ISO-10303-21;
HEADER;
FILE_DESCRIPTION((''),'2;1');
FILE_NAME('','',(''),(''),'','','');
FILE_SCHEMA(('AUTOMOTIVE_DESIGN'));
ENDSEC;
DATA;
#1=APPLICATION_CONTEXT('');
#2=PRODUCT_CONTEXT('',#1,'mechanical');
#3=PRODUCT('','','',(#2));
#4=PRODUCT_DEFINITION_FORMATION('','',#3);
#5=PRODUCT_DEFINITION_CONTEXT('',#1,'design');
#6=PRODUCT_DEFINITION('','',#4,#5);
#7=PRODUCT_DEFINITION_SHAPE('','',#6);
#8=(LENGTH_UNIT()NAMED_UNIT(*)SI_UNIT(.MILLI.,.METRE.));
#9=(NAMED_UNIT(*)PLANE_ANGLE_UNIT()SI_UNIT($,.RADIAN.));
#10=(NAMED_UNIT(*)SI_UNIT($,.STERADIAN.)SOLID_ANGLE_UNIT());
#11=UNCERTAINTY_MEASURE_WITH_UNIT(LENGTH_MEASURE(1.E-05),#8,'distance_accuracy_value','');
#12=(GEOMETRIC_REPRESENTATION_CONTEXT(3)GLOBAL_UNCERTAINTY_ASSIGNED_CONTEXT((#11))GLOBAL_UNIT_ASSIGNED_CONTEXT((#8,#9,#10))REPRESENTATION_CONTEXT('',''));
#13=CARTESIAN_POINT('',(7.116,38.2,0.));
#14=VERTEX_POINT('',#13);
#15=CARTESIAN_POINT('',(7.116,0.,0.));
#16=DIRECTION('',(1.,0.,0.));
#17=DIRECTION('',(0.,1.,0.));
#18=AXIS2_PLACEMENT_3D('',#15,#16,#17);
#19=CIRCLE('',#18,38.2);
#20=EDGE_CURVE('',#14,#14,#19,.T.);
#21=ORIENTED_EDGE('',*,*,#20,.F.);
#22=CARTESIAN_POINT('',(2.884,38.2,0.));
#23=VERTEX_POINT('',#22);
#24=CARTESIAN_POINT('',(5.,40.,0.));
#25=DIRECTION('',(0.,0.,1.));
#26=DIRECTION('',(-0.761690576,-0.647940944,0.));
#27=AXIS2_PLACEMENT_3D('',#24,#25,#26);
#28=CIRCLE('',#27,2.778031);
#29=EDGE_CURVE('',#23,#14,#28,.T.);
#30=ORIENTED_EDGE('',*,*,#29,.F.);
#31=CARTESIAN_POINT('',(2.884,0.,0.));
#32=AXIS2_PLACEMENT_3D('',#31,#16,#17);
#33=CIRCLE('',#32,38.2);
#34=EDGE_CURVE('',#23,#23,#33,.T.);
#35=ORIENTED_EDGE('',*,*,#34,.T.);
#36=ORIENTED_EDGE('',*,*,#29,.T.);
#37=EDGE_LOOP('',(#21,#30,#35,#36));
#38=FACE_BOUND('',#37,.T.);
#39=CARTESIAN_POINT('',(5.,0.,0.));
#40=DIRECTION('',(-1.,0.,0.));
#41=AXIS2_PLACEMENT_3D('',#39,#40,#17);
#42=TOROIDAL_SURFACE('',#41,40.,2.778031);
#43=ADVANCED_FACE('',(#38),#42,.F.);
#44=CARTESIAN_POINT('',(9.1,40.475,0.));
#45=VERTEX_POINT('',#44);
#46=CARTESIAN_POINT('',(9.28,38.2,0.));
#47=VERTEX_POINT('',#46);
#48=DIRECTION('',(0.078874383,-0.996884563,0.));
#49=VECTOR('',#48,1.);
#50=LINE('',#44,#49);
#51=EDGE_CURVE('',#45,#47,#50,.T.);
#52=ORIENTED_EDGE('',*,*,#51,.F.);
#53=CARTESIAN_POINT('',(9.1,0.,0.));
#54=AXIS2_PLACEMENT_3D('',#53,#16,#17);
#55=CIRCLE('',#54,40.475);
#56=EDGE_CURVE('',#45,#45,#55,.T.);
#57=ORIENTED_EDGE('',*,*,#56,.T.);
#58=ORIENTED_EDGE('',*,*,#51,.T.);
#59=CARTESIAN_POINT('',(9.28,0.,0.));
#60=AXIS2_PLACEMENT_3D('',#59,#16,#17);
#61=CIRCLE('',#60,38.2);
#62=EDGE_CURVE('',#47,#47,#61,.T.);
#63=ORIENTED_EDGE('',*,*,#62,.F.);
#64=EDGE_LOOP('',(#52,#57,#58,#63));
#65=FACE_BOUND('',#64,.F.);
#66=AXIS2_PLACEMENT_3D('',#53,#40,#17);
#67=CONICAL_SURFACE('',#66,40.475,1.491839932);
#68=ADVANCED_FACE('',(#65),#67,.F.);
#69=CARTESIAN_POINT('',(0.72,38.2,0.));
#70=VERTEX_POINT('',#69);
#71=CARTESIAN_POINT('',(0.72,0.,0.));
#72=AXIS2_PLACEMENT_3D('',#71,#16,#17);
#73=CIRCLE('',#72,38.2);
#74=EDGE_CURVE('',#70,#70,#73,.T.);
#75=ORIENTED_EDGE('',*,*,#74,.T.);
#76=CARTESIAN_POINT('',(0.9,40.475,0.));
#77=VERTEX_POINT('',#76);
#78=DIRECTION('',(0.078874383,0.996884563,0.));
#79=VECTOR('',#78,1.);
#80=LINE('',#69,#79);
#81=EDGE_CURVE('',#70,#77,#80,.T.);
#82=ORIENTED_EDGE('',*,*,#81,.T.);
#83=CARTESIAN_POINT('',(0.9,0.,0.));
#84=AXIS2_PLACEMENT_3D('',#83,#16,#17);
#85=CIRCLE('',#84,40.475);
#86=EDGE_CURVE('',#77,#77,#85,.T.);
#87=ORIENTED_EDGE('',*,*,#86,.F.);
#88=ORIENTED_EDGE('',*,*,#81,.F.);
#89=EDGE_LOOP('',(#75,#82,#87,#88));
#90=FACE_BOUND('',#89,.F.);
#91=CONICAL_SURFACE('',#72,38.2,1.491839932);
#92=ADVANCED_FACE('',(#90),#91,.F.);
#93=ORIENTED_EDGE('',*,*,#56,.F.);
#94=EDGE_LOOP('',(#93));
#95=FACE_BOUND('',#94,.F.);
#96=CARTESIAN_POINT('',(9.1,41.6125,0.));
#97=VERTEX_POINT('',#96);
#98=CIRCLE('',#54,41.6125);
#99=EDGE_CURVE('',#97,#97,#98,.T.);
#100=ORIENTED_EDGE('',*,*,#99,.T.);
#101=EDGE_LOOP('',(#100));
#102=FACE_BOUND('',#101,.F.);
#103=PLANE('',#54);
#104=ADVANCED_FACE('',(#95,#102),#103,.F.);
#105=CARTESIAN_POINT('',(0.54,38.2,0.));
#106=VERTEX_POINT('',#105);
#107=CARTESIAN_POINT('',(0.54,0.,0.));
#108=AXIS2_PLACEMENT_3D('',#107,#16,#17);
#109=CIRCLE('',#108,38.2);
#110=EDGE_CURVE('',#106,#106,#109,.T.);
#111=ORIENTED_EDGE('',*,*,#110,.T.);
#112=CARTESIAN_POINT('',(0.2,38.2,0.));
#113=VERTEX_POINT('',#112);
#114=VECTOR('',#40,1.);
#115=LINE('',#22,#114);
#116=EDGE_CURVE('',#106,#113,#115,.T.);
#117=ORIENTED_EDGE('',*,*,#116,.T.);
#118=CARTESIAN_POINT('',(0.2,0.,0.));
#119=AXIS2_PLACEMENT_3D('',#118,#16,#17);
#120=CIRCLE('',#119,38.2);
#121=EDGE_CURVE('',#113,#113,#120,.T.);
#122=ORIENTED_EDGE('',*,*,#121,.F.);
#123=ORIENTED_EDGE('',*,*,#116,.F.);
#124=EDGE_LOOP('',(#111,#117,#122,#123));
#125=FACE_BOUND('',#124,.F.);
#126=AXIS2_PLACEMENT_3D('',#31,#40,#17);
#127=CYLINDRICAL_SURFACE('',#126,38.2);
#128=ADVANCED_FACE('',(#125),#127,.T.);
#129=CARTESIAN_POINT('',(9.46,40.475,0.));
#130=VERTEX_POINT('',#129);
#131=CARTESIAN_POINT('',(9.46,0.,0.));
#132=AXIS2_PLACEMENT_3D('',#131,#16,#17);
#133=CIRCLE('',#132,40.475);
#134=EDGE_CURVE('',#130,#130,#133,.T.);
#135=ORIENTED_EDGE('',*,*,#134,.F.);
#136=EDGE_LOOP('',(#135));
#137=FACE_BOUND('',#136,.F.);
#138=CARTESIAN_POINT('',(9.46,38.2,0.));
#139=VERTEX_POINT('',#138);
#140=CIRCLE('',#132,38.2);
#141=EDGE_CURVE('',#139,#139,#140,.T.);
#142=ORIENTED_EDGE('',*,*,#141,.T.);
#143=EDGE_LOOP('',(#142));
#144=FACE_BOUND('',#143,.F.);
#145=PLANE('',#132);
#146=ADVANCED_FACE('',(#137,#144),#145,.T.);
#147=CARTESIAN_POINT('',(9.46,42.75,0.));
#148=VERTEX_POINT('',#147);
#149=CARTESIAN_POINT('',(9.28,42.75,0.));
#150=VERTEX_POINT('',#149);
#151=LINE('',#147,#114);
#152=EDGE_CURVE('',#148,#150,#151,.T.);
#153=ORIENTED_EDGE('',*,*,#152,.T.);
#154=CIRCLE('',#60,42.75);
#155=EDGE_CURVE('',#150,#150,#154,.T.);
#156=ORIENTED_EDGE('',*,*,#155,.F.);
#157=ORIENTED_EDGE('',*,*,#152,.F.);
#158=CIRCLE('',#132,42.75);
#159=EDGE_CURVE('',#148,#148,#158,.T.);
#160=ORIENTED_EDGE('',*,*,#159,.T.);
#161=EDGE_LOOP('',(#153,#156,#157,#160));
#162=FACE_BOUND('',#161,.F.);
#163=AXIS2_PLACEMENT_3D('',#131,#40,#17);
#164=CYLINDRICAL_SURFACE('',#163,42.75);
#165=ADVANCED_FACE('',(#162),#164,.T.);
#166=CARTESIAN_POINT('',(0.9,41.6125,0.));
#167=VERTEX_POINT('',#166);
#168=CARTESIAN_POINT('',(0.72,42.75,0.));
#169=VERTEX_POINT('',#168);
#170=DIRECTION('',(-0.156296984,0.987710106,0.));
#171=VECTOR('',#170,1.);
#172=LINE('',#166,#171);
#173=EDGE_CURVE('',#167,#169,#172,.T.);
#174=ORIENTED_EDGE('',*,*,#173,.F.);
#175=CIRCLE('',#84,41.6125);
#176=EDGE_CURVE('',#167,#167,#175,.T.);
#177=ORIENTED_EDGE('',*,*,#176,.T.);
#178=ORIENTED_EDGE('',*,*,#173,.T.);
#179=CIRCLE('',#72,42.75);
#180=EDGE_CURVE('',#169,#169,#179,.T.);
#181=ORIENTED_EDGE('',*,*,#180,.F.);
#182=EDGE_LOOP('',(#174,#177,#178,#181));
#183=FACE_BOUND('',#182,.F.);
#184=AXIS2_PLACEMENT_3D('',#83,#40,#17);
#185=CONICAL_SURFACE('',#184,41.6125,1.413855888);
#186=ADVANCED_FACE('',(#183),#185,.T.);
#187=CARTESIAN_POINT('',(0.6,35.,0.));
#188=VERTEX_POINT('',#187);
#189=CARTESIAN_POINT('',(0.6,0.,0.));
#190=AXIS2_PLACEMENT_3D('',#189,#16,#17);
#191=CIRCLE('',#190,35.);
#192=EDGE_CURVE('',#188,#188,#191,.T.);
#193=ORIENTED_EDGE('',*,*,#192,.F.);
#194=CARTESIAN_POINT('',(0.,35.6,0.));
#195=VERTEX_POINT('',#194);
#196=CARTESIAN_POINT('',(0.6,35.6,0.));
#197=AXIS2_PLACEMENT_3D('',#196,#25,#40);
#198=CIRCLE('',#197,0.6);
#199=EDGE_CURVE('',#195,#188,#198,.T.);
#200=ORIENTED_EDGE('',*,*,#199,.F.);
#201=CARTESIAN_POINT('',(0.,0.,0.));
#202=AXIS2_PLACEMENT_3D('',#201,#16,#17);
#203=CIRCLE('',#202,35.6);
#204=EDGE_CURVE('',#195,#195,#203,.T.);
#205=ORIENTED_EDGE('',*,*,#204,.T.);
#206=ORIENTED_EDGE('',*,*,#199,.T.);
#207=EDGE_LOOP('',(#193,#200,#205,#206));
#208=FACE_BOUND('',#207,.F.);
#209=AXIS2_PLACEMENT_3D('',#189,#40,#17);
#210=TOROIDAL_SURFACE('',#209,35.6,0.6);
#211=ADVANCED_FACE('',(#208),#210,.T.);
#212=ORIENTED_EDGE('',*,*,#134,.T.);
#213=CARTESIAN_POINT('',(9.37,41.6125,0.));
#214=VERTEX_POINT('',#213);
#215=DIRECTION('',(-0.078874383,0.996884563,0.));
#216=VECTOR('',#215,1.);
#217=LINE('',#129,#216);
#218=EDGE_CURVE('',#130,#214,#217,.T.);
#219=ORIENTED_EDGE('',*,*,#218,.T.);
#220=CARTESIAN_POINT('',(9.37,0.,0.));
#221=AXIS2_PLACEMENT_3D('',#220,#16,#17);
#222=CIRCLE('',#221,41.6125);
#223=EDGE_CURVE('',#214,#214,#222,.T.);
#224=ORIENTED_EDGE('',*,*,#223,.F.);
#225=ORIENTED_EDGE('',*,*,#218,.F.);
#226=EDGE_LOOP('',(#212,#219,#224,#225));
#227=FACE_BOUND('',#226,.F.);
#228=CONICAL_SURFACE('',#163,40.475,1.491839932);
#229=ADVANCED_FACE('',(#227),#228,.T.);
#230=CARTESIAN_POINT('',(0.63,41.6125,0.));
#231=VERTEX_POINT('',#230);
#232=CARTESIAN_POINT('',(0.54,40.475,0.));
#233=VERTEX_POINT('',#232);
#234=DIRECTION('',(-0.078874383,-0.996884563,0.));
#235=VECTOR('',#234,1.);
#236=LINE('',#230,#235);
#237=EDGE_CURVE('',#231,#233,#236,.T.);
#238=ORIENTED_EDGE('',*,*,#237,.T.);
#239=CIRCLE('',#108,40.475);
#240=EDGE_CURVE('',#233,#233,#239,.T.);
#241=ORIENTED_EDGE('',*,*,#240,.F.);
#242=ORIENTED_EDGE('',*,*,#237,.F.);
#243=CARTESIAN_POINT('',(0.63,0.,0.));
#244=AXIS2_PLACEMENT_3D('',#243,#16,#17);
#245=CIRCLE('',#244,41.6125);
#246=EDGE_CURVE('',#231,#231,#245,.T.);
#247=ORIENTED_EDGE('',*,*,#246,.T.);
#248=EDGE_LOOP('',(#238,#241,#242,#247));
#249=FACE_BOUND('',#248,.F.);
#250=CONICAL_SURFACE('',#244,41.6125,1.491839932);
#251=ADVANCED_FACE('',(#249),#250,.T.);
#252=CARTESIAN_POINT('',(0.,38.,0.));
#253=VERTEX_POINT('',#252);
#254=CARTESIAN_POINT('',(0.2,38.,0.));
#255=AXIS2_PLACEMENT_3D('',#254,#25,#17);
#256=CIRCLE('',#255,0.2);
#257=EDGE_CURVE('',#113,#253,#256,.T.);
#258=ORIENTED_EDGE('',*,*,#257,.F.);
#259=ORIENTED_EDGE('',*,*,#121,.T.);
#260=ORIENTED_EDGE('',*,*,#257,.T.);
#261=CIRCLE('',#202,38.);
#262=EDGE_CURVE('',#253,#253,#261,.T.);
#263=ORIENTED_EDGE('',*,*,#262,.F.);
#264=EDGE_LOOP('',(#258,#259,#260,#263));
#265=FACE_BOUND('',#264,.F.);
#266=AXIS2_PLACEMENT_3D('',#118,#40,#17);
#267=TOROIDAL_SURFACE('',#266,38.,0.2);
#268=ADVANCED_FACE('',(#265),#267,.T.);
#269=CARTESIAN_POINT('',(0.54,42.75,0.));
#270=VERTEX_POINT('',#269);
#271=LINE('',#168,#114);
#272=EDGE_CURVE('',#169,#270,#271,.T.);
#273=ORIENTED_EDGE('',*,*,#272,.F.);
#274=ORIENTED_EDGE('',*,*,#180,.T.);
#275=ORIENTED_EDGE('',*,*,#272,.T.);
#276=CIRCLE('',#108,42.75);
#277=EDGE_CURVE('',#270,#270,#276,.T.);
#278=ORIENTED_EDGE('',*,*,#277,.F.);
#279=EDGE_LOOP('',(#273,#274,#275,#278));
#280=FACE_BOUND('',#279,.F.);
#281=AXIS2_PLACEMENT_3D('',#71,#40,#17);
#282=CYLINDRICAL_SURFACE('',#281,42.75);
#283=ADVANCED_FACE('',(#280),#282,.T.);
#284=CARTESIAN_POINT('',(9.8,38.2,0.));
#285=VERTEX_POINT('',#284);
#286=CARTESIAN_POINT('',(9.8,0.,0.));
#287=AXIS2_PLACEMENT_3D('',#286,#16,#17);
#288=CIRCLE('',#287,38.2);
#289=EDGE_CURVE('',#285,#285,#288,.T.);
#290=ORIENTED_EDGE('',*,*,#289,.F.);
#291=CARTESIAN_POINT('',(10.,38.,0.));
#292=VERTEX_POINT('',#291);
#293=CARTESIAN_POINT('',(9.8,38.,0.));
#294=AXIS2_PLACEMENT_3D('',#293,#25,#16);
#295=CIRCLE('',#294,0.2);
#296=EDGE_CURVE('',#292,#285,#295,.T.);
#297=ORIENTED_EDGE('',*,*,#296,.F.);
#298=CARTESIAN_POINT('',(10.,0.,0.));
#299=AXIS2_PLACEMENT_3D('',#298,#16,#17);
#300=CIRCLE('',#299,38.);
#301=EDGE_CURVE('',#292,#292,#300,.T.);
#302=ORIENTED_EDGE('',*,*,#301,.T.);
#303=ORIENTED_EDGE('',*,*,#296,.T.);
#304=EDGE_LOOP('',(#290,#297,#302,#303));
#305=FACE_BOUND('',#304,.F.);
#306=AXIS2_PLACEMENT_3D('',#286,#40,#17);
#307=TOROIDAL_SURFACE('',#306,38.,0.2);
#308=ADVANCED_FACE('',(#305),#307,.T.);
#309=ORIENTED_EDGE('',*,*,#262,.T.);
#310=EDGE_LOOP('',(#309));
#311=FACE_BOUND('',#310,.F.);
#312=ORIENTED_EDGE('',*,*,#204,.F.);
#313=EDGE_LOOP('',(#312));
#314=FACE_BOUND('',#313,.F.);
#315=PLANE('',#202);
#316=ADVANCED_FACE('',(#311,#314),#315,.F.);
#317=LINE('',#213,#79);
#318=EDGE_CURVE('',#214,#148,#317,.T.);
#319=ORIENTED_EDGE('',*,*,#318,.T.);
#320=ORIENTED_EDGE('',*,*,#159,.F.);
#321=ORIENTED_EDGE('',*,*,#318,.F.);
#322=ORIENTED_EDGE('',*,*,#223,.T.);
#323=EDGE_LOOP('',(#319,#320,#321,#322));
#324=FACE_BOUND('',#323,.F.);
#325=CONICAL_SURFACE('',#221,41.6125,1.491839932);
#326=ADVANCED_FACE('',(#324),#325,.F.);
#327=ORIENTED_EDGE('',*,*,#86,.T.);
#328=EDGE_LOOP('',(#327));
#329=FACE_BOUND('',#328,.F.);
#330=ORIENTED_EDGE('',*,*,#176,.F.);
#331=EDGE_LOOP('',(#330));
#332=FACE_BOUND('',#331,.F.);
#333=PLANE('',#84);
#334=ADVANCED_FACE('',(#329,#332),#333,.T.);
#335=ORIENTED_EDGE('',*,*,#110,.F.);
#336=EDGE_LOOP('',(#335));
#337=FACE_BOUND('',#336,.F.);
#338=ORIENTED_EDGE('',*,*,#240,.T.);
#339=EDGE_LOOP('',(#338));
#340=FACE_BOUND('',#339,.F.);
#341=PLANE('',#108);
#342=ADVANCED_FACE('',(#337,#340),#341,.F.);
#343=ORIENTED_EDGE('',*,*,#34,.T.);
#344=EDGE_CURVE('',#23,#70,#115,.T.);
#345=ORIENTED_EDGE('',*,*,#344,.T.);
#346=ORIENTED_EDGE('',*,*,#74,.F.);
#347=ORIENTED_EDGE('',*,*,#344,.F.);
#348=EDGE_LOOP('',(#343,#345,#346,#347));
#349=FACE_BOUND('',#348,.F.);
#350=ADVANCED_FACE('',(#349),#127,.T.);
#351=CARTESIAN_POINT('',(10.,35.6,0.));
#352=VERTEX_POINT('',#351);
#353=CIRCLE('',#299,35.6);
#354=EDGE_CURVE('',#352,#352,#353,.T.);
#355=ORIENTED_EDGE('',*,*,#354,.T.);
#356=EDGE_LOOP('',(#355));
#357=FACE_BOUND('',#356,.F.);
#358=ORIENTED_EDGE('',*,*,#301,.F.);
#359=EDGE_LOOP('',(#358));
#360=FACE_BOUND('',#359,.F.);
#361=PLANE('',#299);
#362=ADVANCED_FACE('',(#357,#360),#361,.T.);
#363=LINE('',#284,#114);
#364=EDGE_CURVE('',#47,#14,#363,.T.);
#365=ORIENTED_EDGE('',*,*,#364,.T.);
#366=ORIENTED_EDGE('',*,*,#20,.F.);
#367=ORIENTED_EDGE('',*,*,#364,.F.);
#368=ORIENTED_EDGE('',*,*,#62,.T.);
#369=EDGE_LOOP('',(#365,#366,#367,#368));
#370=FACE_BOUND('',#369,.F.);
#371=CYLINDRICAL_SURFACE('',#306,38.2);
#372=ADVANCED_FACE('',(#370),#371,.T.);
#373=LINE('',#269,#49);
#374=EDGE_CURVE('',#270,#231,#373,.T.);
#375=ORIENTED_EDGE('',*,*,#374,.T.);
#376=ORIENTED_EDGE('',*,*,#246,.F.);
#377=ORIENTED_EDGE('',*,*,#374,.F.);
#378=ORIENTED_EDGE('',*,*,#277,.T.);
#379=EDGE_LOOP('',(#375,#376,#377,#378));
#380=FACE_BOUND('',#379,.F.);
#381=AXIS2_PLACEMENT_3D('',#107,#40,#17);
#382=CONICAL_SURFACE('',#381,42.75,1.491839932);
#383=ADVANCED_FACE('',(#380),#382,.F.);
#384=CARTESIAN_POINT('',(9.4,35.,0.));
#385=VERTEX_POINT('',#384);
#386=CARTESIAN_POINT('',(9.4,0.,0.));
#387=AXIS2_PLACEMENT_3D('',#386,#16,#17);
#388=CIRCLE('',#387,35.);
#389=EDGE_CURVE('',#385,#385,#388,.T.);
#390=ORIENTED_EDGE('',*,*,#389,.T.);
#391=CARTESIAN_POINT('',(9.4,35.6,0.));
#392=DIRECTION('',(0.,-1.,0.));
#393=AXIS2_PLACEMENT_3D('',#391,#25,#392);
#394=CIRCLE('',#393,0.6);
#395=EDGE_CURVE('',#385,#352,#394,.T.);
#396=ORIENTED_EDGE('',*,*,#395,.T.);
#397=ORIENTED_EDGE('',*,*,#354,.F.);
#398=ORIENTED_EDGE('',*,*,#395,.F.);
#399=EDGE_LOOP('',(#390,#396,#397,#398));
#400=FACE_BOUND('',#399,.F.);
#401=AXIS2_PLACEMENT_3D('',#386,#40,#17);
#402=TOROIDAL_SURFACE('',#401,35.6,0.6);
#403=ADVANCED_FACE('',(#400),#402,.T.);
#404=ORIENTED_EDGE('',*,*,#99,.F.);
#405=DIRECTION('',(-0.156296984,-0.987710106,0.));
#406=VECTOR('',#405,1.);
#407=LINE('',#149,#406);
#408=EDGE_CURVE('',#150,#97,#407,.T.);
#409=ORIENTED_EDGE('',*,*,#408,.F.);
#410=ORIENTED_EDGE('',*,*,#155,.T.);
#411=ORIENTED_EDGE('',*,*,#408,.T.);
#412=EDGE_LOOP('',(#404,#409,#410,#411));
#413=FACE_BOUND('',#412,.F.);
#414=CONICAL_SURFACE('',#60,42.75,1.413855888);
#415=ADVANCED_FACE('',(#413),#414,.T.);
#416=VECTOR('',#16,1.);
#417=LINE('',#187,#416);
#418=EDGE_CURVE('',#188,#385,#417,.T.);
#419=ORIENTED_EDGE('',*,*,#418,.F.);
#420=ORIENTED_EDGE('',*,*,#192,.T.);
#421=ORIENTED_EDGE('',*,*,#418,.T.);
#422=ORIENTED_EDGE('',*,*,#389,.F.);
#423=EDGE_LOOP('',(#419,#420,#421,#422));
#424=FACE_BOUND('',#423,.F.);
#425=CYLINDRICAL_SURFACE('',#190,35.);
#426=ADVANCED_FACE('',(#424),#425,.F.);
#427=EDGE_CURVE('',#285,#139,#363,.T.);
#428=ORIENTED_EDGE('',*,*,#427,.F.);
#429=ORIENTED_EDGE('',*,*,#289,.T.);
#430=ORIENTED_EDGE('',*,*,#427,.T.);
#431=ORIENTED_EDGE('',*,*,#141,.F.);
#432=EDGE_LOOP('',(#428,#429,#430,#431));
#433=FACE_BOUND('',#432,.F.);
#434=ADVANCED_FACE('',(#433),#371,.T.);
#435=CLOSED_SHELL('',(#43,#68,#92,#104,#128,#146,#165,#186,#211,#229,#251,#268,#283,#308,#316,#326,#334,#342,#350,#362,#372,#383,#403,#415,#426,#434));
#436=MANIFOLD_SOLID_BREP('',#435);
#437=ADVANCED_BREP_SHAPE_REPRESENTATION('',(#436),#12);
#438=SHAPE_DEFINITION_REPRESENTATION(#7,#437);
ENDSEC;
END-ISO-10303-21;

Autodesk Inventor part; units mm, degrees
ref_plane "YZ Plane" through (0, 0, 0) normal (1, 0, 0) x (0, 1, 0)
ref_plane "XZ Plane" through (0, 0, 0) normal (0, 1, 0) x (-1, 0, 0)
ref_plane "XY Plane" through (0, 0, 0) normal (0, 0, 1) x (1, 0, 0)
sketch "Sketch_58" plane through (0, 0, 0) normal (0, 0, 1) x (1, 0, 0)
  line L0 (50, 0) -> (-50, 0)
  line L1 (0, 38) -> (0, 35.6)
  arc A0 (0, 35.6) -> (0.6, 35) centre (0.6, 35.6) ccw
  line L2 (0.6, 35) -> (9.4, 35)
  arc A1 (9.4, 35) -> (10, 35.6) centre (9.4, 35.6) ccw
  line L3 (10, 35.6) -> (10, 38)
  arc A2 (10, 38) -> (9.8, 38.2) centre (9.8, 38) ccw
  line L4 (9.8, 38.2) -> (7.116, 38.2)
  arc A3 (2.884, 38.2) -> (7.116, 38.2) centre (5, 40) ccw
  line L5 (2.884, 38.2) -> (0.2, 38.2)
  arc A4 (0.2, 38.2) -> (0, 38) centre (0.2, 38) ccw
revolve "Revolution1" add sketch "Sketch_58" angle 360 about axis through (50, 0, 0) along (1, 0, 0)
sketch "Sketch_60" plane through (0, 0, 0) normal (0, 0, 1) x (1, 0, 0)
  line L0 (50, 0) -> (-50, 0)
  line L1 (0.54, 42.75) -> (0.63, 41.6125)
  line L2 (0.63, 41.6125) -> (0.54, 40.475)
  line L3 (0.54, 40.475) -> (0.54, 38.2)
  line L4 (0.54, 38.2) -> (0.72, 38.2)
  line L5 (0.72, 38.2) -> (0.9, 40.475)
  line L6 (0.9, 40.475) -> (0.9, 41.6125)
  line L7 (0.9, 41.6125) -> (0.72, 42.75)
  line L8 (0.72, 42.75) -> (0.54, 42.75)
revolve "Revolution2" add sketch "Sketch_60" angle 360 about axis through (50, 0, 0) along (1, 0, 0)
sketch "Sketch_61" plane through (0, 0, 0) normal (0, 0, 1) x (1, 0, 0)
  line L0 (50, 0) -> (-50, 0)
  line L1 (9.1, 40.475) -> (9.28, 38.2)
  line L2 (9.28, 38.2) -> (9.46, 38.2)
  line L3 (9.46, 38.2) -> (9.46, 40.475)
  line L4 (9.46, 40.475) -> (9.37, 41.6125)
  line L5 (9.37, 41.6125) -> (9.46, 42.75)
  line L6 (9.46, 42.75) -> (9.28, 42.75)
  line L7 (9.28, 42.75) -> (9.1, 41.6125)
  line L8 (9.1, 41.6125) -> (9.1, 40.475)
revolve "Revolution3" add sketch "Sketch_61" angle 360 about axis through (50, 0, 0) along (1, 0, 0)
properties part number "61814-2RS1_PART1"
